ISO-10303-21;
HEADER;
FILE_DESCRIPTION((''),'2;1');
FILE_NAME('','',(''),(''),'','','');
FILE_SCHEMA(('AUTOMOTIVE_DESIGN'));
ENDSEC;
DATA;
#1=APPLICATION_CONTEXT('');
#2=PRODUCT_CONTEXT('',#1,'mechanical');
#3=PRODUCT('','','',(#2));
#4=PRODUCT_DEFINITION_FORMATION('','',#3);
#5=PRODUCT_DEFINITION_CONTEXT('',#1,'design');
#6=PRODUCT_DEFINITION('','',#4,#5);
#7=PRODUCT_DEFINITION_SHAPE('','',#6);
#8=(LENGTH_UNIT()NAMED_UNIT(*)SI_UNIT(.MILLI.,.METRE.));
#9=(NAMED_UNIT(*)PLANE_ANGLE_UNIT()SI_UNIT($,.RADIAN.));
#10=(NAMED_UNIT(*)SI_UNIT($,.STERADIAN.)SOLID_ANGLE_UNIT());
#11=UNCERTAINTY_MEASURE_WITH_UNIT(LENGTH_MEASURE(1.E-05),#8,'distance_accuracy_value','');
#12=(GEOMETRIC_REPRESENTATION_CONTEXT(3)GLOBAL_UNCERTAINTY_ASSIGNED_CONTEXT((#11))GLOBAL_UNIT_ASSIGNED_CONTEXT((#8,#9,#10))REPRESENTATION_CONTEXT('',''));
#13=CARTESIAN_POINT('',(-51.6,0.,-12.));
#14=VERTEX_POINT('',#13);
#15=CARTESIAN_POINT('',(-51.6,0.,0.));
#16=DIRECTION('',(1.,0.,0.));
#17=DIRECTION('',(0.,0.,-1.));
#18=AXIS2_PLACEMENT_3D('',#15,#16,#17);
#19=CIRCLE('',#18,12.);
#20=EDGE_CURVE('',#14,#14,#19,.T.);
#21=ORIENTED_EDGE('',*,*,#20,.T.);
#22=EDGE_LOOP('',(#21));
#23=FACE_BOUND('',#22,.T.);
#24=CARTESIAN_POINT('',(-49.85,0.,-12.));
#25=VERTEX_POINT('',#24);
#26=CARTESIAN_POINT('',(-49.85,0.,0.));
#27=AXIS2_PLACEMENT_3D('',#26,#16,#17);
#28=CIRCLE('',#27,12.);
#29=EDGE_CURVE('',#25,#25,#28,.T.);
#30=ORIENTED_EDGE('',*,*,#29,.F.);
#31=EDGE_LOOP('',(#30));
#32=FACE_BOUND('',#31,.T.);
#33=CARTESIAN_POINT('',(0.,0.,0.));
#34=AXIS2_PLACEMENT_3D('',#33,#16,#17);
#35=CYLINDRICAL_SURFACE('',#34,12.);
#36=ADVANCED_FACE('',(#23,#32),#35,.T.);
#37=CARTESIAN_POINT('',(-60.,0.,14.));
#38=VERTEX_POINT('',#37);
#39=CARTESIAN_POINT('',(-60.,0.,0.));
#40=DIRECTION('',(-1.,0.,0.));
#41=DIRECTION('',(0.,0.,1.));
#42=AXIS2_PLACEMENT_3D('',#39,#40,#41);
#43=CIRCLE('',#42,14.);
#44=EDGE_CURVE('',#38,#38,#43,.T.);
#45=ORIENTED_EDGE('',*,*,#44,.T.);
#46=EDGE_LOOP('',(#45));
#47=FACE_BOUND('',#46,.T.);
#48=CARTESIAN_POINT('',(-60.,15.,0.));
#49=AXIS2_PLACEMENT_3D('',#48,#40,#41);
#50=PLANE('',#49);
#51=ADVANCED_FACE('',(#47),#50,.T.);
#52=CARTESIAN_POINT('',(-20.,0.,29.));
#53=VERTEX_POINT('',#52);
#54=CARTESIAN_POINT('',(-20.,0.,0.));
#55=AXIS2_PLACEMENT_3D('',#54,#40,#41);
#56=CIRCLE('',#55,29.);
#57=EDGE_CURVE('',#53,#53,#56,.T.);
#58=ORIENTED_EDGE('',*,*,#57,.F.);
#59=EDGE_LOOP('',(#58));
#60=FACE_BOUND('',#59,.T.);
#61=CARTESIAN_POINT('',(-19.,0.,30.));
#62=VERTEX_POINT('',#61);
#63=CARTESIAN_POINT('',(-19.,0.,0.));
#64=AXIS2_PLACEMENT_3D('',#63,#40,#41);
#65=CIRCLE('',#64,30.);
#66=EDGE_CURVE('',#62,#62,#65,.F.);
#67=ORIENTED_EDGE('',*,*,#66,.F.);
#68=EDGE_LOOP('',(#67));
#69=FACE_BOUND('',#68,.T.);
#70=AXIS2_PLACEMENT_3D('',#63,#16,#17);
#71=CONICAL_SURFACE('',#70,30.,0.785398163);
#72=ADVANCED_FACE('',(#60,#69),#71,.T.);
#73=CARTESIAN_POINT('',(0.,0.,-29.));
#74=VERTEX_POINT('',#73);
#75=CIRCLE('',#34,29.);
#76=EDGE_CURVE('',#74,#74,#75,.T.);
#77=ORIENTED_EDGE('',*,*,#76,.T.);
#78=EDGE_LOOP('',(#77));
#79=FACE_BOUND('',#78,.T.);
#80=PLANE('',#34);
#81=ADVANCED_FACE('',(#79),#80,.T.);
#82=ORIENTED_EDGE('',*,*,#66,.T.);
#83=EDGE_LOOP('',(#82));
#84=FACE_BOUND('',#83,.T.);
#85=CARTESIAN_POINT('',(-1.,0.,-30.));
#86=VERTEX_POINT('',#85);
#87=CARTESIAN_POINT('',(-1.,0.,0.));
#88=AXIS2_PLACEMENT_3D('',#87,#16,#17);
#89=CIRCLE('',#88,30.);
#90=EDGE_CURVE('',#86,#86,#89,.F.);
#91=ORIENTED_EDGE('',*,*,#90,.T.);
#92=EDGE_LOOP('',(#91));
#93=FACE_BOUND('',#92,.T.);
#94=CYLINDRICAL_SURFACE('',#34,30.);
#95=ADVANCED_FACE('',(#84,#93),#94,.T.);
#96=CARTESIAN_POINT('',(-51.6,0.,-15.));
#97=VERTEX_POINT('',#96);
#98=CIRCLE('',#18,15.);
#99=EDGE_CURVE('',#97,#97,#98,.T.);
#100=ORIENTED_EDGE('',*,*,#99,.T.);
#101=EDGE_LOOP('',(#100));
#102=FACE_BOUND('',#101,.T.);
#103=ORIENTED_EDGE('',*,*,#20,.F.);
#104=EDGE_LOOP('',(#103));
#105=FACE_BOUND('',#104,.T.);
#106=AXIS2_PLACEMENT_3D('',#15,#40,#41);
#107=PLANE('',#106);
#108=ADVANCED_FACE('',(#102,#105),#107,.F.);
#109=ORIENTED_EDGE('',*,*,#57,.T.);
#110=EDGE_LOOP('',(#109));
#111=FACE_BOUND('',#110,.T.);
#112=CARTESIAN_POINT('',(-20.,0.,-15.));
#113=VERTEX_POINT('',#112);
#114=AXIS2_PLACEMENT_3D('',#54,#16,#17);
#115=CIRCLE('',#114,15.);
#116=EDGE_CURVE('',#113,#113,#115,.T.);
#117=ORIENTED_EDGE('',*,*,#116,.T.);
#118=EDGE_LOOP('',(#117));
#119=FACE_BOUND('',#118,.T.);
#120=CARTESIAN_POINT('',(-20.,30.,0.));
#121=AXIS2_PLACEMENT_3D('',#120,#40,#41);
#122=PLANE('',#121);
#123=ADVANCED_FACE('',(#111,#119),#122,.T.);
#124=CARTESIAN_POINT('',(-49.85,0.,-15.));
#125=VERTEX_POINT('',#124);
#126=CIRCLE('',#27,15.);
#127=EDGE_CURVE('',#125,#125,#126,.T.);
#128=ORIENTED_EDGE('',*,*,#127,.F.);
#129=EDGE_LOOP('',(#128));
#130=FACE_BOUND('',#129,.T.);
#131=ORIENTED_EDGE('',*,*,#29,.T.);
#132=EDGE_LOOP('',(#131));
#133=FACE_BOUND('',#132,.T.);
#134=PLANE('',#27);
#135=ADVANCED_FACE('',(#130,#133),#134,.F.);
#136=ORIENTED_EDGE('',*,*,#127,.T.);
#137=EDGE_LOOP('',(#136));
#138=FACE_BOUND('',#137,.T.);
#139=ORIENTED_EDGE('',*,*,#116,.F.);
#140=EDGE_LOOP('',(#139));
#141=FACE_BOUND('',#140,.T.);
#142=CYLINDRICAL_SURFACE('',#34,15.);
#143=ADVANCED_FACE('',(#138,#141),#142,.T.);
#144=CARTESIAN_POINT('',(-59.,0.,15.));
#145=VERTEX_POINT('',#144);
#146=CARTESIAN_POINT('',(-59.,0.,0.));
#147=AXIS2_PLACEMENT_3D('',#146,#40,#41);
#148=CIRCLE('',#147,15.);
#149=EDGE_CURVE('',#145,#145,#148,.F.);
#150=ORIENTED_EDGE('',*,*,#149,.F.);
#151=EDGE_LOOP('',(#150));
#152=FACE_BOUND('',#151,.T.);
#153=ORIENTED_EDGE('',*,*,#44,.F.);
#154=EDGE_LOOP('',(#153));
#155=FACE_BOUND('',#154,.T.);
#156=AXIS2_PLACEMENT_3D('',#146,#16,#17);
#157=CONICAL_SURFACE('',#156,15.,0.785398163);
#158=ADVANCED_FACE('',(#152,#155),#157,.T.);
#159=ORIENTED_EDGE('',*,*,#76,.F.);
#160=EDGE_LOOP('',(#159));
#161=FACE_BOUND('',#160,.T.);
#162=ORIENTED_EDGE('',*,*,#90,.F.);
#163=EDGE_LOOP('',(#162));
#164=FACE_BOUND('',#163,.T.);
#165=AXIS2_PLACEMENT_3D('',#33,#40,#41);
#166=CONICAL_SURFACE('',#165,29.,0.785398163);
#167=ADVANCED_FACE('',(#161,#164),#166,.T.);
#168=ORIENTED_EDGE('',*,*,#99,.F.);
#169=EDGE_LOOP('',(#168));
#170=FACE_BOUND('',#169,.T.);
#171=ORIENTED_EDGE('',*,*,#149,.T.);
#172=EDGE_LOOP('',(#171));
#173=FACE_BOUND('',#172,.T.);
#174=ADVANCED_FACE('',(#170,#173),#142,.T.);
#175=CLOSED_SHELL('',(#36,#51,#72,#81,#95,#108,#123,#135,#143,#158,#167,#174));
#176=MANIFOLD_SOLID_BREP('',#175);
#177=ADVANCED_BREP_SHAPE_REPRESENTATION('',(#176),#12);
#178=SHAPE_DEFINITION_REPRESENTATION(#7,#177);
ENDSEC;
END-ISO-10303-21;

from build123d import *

# Parameters (mm, degrees)
SMUSSO1_SIZE = 1
SCHIZZO2_W   = 1.6
SCHIZZO2_H   = 3
SCHIZZO2_W_2 = 0.15


with BuildPart() as part:
    # Schizzo1 → Rivoluzione1 (revolve)
    with BuildSketch(Plane.XY, mode=Mode.PRIVATE) as rivoluzione1_sk:
        Polygon((0, 0), (0, 30), (-20, 30), (-20, 15), (-60, 15), (-60, 0), align=None)
    revolve(rivoluzione1_sk.sketch.rotate(Axis((0, 0, 0), (-1, 0, 0)), 90), axis=Axis((0, 0, 0), (-1, 0, 0)))

    # Smusso1
    smusso1_edges = [part.edges().sort_by_distance(p)[0] for p in [
        (-60, 0, 15),
        (-20, 0, 30),
        (0, 0, 30),
    ]]
    chamfer(smusso1_edges, length=SMUSSO1_SIZE)

    # Schizzo2 → Taglia-Rivoluzione1 (revolve, cut)
    with BuildSketch(Plane.XY, mode=Mode.PRIVATE) as taglia_rivoluzione1_sk:
        with Locations((-50.8, 13.5)):
            Rectangle(SCHIZZO2_W, SCHIZZO2_H)
        with Locations((-49.925, 13.5)):
            Rectangle(SCHIZZO2_W_2, SCHIZZO2_H)
    revolve(taglia_rivoluzione1_sk.sketch.rotate(Axis((0, 0, 0), (-1, 0, 0)), 90), axis=Axis((0, 0, 0), (-1, 0, 0)), mode=Mode.SUBTRACT)


solid = part.part
